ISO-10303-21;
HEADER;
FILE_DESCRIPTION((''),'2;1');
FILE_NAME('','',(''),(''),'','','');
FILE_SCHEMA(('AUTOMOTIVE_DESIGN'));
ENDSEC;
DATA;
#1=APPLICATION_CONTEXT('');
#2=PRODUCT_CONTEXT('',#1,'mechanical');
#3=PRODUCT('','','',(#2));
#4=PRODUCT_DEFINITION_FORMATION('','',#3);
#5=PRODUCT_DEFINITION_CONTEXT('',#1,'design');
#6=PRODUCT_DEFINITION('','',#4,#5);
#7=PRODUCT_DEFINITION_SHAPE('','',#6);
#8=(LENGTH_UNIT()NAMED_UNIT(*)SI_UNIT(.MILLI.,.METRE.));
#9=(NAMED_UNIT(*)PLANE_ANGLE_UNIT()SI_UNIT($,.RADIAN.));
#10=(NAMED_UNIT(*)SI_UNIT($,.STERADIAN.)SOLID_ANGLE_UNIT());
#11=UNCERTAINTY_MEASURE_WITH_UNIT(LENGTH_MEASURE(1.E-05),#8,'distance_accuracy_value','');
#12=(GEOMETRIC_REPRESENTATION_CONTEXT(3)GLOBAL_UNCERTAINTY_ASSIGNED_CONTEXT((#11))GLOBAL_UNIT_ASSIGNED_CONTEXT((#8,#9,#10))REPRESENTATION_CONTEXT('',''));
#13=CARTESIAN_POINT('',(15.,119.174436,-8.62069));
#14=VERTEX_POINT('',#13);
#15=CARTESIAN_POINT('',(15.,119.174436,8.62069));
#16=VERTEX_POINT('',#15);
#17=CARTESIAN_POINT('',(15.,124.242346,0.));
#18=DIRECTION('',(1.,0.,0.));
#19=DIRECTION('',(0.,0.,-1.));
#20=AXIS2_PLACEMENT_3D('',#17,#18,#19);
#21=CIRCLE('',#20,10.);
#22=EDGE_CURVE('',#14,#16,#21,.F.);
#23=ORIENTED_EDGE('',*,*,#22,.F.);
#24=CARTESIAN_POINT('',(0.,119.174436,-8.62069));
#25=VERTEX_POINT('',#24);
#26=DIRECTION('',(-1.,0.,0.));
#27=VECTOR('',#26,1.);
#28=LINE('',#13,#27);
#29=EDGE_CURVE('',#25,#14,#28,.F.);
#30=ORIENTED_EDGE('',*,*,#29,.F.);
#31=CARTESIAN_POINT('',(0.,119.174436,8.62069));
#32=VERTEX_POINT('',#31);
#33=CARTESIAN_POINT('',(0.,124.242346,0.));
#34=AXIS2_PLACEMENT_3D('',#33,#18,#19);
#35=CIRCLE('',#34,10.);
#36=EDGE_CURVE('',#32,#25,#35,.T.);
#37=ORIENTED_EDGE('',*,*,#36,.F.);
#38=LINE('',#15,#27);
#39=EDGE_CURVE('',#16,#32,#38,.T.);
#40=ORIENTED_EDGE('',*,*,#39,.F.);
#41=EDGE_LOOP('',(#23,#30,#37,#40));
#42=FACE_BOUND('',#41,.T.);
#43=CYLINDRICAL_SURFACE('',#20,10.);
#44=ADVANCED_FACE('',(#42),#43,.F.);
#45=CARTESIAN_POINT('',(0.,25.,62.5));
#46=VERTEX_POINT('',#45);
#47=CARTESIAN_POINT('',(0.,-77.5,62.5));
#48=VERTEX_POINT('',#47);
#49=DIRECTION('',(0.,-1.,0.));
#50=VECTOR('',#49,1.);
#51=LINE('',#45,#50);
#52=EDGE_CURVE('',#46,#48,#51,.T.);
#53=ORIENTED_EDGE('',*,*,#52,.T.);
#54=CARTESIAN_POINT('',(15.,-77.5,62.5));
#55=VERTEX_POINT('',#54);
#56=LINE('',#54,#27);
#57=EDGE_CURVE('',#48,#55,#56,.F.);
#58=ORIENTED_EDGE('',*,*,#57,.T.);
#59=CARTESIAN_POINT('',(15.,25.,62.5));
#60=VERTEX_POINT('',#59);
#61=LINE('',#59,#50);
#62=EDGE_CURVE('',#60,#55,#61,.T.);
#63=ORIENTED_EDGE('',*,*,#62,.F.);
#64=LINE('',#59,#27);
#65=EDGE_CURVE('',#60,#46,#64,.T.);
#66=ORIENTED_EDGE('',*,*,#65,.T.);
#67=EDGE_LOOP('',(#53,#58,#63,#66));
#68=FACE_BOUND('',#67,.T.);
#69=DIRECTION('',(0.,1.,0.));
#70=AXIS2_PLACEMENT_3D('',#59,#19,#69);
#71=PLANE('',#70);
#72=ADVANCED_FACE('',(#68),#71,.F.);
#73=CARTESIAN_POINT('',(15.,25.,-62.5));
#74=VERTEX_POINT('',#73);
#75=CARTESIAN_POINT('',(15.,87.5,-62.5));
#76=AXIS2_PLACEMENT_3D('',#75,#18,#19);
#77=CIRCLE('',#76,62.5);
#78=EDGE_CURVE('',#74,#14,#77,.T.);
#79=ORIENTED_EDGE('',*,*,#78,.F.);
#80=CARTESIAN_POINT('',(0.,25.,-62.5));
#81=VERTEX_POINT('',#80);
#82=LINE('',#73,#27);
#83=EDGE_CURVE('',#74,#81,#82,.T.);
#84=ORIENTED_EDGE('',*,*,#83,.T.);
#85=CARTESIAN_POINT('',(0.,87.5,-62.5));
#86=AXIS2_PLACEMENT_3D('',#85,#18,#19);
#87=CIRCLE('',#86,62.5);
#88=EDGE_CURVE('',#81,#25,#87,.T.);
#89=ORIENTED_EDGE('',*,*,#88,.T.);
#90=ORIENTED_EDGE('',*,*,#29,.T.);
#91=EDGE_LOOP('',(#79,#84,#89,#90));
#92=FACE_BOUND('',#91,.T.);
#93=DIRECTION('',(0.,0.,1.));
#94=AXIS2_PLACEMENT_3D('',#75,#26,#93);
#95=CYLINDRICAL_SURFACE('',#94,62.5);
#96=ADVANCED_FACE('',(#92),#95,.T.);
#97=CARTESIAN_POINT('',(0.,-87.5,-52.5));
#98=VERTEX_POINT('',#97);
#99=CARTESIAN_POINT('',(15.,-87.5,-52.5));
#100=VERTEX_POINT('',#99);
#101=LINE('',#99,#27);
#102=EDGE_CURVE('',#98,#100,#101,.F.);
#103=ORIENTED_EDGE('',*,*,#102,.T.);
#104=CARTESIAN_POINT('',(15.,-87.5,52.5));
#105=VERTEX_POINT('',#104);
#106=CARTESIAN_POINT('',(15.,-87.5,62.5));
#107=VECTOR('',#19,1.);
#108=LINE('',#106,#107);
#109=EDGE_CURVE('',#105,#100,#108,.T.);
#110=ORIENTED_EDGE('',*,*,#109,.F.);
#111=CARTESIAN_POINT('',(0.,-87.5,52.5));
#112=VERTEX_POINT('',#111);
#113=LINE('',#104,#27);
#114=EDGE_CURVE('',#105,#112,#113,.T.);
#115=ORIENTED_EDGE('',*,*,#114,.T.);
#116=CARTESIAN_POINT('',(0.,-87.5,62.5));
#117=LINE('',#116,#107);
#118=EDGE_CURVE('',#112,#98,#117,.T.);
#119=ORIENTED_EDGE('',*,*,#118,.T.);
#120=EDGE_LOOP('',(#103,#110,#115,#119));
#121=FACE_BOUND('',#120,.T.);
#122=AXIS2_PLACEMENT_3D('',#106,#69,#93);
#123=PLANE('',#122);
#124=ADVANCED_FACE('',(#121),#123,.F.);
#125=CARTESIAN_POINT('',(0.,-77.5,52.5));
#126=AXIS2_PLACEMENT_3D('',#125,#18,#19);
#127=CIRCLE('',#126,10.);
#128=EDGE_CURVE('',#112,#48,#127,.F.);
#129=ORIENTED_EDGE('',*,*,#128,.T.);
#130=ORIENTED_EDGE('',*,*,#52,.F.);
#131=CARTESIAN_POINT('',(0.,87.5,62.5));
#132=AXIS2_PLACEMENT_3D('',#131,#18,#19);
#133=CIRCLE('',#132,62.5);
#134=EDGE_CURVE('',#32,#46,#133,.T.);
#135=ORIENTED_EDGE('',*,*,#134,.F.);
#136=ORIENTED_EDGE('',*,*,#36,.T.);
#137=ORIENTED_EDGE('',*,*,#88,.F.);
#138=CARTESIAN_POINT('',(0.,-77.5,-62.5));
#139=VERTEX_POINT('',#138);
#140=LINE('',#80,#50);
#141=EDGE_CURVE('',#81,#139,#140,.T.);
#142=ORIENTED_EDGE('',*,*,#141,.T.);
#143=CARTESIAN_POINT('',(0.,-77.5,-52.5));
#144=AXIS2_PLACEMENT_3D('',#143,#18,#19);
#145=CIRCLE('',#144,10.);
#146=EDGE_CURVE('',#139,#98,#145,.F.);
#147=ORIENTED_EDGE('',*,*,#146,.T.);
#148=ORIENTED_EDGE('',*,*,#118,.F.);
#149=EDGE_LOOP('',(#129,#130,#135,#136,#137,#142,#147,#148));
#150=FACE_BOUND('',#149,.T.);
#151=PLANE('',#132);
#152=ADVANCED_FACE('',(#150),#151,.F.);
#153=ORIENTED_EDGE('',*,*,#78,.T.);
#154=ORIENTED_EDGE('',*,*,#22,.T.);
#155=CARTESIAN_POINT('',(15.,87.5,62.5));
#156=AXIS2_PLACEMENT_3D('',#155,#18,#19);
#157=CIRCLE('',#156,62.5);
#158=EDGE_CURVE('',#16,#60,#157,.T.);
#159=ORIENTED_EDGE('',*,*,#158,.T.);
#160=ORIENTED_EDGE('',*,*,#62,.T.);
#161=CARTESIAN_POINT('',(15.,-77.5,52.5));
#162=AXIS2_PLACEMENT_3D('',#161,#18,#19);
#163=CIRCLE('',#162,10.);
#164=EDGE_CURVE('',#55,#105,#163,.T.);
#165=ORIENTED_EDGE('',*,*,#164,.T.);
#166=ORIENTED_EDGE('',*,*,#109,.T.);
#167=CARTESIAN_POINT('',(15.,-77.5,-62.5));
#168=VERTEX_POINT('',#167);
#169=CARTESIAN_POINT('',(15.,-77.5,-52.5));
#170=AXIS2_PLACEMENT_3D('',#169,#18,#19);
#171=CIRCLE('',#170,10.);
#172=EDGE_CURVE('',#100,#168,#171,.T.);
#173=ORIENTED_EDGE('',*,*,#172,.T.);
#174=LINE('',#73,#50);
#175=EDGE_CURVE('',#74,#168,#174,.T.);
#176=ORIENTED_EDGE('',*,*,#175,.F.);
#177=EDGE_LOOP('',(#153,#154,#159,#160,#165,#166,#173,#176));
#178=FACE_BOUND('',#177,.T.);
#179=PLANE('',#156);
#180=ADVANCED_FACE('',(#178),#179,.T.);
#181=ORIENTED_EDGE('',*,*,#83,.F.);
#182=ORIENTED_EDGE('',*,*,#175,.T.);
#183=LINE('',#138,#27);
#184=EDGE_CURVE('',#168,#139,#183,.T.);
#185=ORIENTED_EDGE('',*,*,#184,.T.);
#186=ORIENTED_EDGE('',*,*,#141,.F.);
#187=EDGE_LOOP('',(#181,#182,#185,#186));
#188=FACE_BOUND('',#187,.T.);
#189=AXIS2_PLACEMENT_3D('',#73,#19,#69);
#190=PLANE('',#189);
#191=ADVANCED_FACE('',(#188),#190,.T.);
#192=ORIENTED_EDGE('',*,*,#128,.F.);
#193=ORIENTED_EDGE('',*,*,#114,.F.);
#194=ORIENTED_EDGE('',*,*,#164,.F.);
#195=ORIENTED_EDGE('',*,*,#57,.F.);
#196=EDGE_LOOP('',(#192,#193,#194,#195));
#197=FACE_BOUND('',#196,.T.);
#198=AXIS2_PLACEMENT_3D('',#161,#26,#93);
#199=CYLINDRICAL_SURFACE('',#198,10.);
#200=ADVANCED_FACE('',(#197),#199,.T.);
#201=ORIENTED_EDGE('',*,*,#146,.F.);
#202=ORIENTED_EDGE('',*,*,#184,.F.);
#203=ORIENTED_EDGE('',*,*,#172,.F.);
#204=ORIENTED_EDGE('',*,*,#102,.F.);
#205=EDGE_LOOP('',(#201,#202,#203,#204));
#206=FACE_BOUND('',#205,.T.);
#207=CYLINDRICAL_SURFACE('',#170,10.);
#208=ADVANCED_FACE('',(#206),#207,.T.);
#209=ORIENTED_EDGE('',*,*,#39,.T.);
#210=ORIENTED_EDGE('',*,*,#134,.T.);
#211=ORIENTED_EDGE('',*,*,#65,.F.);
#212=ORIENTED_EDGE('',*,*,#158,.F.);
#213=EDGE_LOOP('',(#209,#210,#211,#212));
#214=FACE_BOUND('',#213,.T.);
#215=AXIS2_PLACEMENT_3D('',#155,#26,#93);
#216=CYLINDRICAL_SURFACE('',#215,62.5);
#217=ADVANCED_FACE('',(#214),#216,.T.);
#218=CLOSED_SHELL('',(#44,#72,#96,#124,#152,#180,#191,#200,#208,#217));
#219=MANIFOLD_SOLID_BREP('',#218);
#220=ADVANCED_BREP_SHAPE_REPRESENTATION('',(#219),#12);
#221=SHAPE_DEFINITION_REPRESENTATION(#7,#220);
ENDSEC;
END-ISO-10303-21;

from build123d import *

# Parameters (mm, degrees)
BOSS_EXTRUDE1_DEPTH = 15
FILLET1_R           = 10
FILLET2_R           = 10


with BuildPart() as part:
    # Sketch1 → Boss-Extrude1 (new body)
    with BuildSketch(Plane(origin=(0, 0, 0), x_dir=(0, 0, -1), z_dir=(1, 0, 0))):
        with BuildLine():
            Line((-62.5, 25), (-62.5, -87.5))
            Line((-62.5, -87.5), (62.5, -87.5))
            Line((62.5, -87.5), (62.5, 25))
            ThreePointArc((62.5, 25), (106.694173824, 131.694173824), (0, 87.5))
            ThreePointArc((0, 87.5), (-106.694173824, 131.694173824), (-62.5, 25))
        make_face()
    extrude(amount=BOSS_EXTRUDE1_DEPTH)

    # Fillet1
    fillet1_edges = [part.edges().sort_by_distance(p)[0] for p in [
        (7.5, 87.5, 0),
    ]]
    fillet(fillet1_edges, radius=FILLET1_R)

    # Fillet2
    fillet2_edges = [part.edges().sort_by_distance(p)[0] for p in [
        (7.5, -87.5, -62.5),
        (7.5, -87.5, 62.5),
    ]]
    fillet(fillet2_edges, radius=FILLET2_R)


solid = part.part
